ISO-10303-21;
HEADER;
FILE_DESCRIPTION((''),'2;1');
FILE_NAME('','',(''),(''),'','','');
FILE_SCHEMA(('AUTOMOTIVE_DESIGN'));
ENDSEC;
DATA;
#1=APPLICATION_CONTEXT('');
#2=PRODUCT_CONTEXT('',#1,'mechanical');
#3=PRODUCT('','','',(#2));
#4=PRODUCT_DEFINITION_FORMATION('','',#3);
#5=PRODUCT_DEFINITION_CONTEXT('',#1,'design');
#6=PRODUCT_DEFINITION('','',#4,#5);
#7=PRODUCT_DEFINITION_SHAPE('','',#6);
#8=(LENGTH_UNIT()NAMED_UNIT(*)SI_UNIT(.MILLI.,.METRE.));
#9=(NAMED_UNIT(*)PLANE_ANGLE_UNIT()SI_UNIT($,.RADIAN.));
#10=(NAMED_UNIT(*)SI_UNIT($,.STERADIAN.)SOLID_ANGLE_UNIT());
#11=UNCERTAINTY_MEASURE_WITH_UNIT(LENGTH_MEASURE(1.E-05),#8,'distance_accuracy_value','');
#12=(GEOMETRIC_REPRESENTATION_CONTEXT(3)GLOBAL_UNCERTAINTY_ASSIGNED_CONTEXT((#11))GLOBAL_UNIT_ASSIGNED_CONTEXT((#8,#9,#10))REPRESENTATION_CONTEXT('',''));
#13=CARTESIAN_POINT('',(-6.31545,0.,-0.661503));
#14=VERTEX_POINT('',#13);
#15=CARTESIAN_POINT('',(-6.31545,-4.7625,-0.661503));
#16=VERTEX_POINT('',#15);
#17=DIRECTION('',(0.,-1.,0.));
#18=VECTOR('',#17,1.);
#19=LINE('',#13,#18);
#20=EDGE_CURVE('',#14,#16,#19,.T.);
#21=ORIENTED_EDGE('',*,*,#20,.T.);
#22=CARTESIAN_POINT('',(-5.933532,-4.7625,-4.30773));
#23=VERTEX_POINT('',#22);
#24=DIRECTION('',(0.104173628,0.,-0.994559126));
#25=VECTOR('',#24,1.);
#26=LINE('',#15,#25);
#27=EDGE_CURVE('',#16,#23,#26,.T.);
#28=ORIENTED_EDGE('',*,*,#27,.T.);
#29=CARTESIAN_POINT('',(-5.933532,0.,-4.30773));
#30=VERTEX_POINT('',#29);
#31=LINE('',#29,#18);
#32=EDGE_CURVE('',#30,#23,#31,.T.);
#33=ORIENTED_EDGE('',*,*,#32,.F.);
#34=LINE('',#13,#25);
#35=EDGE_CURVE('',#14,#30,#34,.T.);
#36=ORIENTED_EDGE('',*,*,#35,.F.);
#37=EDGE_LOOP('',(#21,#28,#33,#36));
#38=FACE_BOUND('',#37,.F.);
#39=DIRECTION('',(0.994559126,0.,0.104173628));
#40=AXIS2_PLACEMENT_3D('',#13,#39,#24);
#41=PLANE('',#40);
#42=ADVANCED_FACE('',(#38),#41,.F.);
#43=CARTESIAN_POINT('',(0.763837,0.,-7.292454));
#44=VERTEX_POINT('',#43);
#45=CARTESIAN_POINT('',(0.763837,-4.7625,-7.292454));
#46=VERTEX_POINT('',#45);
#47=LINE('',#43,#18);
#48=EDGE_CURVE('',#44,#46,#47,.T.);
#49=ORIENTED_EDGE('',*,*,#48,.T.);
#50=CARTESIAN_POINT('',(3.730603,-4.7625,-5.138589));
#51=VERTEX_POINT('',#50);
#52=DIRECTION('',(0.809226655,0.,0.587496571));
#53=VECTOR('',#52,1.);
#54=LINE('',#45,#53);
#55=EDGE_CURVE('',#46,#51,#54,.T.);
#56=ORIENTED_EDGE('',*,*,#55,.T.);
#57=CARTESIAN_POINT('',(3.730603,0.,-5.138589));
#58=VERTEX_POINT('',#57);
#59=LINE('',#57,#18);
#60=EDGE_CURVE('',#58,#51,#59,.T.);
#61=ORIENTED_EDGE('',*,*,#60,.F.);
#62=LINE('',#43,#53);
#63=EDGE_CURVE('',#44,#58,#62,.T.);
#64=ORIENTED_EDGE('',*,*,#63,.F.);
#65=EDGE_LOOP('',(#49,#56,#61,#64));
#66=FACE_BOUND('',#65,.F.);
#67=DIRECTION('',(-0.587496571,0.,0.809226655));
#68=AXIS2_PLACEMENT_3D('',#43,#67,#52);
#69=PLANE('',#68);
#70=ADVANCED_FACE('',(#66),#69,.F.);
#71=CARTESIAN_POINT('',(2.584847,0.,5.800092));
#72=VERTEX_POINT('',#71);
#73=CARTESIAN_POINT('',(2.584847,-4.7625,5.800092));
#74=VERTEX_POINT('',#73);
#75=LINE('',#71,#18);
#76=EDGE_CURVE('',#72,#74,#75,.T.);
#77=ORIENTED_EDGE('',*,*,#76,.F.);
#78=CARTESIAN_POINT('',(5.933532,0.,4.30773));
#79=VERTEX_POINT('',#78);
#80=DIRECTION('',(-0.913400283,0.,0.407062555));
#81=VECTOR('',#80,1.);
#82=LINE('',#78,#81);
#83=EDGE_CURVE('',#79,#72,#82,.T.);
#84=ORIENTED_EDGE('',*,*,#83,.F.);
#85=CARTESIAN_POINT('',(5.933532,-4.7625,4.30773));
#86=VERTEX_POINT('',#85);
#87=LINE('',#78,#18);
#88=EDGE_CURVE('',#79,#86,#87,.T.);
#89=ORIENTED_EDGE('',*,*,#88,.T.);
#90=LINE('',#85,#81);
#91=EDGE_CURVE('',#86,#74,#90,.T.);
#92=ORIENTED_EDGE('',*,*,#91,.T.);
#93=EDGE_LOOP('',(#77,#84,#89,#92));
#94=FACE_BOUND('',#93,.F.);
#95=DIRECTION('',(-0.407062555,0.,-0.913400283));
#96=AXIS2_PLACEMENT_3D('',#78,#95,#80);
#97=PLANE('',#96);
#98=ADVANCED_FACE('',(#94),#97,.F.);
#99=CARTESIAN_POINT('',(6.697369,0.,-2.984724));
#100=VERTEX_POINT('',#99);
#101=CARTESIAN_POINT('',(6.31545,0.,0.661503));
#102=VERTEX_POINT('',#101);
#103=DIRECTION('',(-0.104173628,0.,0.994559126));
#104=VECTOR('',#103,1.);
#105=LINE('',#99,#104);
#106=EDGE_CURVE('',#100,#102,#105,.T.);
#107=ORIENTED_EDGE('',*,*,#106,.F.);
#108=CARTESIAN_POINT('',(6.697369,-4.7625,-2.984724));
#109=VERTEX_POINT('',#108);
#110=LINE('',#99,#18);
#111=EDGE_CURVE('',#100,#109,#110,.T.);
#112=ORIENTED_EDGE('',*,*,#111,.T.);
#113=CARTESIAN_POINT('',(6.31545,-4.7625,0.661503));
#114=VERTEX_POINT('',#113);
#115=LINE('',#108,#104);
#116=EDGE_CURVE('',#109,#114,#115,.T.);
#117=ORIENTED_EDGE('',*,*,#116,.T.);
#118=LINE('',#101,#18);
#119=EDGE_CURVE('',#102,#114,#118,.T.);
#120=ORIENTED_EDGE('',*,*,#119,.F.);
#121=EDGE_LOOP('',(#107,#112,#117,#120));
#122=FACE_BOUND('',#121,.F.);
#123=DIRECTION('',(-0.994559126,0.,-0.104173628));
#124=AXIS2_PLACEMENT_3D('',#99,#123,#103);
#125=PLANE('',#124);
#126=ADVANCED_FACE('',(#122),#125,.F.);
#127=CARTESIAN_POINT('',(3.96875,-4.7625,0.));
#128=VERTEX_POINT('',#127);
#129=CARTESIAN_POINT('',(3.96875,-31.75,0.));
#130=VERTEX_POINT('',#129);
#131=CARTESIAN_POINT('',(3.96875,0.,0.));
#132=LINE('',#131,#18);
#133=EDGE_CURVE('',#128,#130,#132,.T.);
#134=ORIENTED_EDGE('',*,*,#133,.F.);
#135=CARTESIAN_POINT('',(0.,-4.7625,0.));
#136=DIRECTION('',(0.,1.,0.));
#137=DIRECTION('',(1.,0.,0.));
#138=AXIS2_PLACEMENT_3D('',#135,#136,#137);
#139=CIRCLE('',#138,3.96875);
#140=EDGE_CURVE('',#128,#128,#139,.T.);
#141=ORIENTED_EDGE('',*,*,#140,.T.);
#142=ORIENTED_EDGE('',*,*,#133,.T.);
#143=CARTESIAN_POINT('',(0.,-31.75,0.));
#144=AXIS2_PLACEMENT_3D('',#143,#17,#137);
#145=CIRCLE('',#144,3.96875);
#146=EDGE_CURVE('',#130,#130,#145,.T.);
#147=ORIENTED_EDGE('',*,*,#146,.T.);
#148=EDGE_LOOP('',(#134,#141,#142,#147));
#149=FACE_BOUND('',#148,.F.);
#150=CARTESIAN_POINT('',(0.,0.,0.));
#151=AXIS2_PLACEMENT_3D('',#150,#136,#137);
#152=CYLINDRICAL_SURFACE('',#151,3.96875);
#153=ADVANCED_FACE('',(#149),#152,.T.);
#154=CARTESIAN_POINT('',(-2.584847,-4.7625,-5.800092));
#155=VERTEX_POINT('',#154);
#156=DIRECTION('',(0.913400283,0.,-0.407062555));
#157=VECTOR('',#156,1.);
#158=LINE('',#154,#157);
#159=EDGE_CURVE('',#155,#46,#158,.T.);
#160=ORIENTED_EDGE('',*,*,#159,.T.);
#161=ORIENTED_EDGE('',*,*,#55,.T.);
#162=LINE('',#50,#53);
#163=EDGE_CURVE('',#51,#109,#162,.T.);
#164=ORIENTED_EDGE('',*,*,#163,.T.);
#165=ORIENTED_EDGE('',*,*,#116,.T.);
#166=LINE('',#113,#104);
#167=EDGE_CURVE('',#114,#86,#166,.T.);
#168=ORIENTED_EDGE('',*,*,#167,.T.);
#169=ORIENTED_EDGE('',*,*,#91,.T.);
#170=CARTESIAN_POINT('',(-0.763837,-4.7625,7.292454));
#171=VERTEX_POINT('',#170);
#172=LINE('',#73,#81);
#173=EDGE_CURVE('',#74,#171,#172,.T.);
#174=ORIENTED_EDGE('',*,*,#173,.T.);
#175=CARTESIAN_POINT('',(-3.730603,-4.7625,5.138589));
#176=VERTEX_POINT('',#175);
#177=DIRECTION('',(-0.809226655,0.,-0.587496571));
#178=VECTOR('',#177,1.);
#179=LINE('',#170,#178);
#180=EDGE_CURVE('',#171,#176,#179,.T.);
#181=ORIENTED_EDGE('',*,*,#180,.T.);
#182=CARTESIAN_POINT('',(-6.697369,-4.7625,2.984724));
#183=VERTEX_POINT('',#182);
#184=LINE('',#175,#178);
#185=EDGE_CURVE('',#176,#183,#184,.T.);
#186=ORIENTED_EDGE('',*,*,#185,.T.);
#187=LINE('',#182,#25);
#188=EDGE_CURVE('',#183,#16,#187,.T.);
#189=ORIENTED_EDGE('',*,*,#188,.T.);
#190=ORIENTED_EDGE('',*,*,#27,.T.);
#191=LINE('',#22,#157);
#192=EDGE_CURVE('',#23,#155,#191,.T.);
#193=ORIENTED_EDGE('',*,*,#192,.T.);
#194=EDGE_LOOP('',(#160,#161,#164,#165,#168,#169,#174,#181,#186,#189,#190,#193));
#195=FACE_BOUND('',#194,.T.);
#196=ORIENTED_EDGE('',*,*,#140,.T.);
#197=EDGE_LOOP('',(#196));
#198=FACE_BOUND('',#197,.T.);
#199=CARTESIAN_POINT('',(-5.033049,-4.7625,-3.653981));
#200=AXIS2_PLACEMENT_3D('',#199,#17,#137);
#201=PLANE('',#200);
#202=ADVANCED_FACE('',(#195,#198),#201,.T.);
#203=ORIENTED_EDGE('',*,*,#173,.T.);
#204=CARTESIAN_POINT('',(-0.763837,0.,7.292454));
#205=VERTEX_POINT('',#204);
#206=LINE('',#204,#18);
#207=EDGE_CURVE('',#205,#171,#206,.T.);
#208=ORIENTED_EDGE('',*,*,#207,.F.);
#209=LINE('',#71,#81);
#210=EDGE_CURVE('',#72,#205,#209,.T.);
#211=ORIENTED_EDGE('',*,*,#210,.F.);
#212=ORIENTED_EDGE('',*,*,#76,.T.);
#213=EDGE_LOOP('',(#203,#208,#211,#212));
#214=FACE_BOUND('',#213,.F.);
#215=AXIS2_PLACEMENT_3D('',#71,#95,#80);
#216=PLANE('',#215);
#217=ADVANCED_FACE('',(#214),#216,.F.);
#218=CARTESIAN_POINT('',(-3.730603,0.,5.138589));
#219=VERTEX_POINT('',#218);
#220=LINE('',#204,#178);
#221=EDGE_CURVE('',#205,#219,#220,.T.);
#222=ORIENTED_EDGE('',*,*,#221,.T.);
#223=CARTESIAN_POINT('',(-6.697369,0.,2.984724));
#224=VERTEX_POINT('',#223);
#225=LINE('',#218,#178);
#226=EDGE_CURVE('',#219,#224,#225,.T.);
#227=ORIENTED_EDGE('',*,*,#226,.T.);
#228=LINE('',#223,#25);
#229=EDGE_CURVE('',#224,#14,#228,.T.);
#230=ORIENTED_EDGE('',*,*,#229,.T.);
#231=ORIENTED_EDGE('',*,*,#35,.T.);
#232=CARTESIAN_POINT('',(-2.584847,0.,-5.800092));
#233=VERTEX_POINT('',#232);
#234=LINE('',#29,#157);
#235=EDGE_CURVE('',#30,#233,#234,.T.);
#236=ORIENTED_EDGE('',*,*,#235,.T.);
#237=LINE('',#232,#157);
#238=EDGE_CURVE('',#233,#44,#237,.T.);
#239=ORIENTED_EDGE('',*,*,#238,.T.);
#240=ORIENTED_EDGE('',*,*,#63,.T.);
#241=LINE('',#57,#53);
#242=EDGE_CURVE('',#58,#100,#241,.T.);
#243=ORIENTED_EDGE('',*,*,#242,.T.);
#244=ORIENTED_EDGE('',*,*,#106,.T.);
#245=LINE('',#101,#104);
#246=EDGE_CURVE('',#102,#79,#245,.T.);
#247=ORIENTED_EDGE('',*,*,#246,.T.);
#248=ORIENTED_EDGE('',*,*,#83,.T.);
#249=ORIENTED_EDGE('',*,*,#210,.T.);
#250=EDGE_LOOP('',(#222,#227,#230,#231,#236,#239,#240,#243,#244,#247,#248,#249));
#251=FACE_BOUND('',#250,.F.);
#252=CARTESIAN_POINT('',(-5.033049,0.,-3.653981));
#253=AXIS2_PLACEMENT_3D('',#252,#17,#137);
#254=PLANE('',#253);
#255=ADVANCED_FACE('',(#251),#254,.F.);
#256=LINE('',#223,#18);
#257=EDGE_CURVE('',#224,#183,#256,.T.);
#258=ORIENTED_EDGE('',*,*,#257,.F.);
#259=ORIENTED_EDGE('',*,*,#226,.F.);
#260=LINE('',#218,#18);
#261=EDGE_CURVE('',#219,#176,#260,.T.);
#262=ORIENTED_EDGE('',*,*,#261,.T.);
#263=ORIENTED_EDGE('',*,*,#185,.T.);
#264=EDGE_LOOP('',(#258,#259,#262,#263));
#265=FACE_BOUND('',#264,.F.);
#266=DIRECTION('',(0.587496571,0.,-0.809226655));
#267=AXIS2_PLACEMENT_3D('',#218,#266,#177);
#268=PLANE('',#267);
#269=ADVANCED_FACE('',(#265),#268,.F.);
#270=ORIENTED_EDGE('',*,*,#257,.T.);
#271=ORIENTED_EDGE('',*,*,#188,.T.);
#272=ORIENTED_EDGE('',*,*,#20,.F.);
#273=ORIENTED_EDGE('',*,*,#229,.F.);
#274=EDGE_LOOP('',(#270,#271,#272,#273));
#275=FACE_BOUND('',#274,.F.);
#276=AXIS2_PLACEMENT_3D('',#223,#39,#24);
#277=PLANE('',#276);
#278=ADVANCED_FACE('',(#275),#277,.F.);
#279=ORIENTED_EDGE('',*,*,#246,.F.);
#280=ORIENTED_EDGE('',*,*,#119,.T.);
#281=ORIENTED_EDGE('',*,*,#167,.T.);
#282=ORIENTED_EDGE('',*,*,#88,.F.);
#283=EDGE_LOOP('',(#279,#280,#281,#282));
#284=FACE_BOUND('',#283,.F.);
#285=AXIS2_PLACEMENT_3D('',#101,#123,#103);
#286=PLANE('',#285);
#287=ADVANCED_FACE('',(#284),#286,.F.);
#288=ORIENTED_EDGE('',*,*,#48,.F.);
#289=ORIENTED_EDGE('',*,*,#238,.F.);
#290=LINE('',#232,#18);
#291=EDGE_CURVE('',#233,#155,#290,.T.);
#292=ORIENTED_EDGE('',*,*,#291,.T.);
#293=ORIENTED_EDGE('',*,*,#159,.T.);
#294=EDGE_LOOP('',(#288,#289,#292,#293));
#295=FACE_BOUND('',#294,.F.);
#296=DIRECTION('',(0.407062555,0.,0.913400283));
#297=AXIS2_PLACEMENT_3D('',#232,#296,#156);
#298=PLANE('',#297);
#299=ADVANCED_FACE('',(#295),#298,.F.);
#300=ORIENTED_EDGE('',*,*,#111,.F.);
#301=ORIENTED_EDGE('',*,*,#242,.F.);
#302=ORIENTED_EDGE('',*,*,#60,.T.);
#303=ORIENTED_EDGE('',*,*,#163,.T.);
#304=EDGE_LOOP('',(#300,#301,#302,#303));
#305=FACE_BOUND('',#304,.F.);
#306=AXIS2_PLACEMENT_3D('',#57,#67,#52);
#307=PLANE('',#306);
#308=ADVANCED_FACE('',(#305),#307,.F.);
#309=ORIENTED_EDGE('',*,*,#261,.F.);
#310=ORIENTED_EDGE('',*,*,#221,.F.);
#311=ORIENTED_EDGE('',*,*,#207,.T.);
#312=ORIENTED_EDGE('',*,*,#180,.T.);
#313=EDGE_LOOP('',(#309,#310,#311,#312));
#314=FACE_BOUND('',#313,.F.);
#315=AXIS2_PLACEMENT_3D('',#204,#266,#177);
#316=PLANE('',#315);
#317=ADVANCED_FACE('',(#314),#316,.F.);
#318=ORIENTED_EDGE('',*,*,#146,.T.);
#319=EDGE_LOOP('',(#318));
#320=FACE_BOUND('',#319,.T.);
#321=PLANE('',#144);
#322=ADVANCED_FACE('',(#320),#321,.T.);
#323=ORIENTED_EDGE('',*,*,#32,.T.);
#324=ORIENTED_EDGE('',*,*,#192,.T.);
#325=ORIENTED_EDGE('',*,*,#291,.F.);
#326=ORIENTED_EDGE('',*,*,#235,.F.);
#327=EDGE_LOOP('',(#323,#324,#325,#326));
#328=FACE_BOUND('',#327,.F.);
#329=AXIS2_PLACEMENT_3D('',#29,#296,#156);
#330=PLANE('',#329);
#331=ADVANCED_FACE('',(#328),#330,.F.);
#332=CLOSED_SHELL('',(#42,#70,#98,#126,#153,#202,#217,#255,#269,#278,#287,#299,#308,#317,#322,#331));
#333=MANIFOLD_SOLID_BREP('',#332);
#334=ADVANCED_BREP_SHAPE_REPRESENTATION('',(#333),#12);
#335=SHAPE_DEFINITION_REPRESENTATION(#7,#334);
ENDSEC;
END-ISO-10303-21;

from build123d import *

# Parameters (mm, degrees)
F0_R     = 3.96875
F1_DEPTH = 31.75
F3_DEPTH = 4.7625


with BuildPart() as f1:
    # F0 (on Front) → F1 (new body)
    with BuildSketch(Plane.XZ):
        Circle(F0_R)
    extrude(amount=F1_DEPTH)

    # F2 (on Front) → F3 (join)
    with BuildSketch(Plane.XZ):
        with BuildLine():
            Line((-5.9335317833, -4.3077295539), (-2.5848472762, -5.8000917716))
            ThreePointArc((-2.5848472762, -5.8000917716), (-5.1385892707, -3.7306032096), (-6.315450449, -0.6615025515))
            Line((-6.315450449, -0.6615025515), (-5.9335317833, -4.3077295539))
        make_face()
        with BuildLine():
            ThreePointArc((-6.315450449, -0.6615025515), (-5.8000918049, 2.5848472015), (-3.7306032544, 5.1385892381))
            Line((-3.7306032544, 5.1385892381), (-6.697369118, 2.9847244815))
            Line((-6.697369118, 2.9847244815), (-6.315450449, -0.6615025515))
        make_face()
        with BuildLine():
            Line((0.7638373347, -7.2924540355), (3.7306031675, -5.1385893012))
            ThreePointArc((3.7306031675, -5.1385893012), (0.6615024718, -6.3154504574), (-2.5848472762, -5.8000917716))
            Line((-2.5848472762, -5.8000917716), (0.7638373347, -7.2924540355))
        make_face()
        with BuildLine():
            ThreePointArc((6.315450451, 0.6615025328), (6.3413567304, 0.3312020804), (6.35, 0))
            ThreePointArc((6.35, 0), (5.6573770474, -2.8838489807), (3.7306031675, -5.1385893012))
            Line((3.7306031675, -5.1385893012), (6.697369118, -2.9847244815))
            Line((6.697369118, -2.9847244815), (6.315450451, 0.6615025328))
        make_face()
        with BuildLine():
            ThreePointArc((2.5848472063, 5.8000918027), (5.1385892537, 3.7306032329), (6.315450451, 0.6615025328))
            Line((6.315450451, 0.6615025328), (5.9335317833, 4.3077295539))
            Line((5.9335317833, 4.3077295539), (2.5848472063, 5.8000918027))
        make_face()
        with BuildLine():
            ThreePointArc((-3.7306032544, 5.1385892381), (-0.6615025632, 6.3154504478), (2.5848472063, 5.8000918027))
            Line((2.5848472063, 5.8000918027), (-0.7638373347, 7.2924540355))
            Line((-0.7638373347, 7.2924540355), (-3.7306032544, 5.1385892381))
        make_face()
        with BuildLine():
            ThreePointArc((3.7306031675, -5.1385893012), (5.6573770474, -2.8838489807), (6.35, 0))
            ThreePointArc((6.35, 0), (6.3413567304, 0.3312020804), (6.315450451, 0.6615025328))
            ThreePointArc((6.315450451, 0.6615025328), (5.1385892537, 3.7306032329), (2.5848472063, 5.8000918027))
            ThreePointArc((2.5848472063, 5.8000918027), (-0.6615025632, 6.3154504478), (-3.7306032544, 5.1385892381))
            ThreePointArc((-3.7306032544, 5.1385892381), (-5.8000918049, 2.5848472015), (-6.315450449, -0.6615025515))
            ThreePointArc((-6.315450449, -0.6615025515), (-5.1385892707, -3.7306032096), (-2.5848472762, -5.8000917716))
            ThreePointArc((-2.5848472762, -5.8000917716), (0.6615024718, -6.3154504574), (3.7306031675, -5.1385893012))
        make_face()
    extrude(amount=F3_DEPTH)


solid = f1.part
